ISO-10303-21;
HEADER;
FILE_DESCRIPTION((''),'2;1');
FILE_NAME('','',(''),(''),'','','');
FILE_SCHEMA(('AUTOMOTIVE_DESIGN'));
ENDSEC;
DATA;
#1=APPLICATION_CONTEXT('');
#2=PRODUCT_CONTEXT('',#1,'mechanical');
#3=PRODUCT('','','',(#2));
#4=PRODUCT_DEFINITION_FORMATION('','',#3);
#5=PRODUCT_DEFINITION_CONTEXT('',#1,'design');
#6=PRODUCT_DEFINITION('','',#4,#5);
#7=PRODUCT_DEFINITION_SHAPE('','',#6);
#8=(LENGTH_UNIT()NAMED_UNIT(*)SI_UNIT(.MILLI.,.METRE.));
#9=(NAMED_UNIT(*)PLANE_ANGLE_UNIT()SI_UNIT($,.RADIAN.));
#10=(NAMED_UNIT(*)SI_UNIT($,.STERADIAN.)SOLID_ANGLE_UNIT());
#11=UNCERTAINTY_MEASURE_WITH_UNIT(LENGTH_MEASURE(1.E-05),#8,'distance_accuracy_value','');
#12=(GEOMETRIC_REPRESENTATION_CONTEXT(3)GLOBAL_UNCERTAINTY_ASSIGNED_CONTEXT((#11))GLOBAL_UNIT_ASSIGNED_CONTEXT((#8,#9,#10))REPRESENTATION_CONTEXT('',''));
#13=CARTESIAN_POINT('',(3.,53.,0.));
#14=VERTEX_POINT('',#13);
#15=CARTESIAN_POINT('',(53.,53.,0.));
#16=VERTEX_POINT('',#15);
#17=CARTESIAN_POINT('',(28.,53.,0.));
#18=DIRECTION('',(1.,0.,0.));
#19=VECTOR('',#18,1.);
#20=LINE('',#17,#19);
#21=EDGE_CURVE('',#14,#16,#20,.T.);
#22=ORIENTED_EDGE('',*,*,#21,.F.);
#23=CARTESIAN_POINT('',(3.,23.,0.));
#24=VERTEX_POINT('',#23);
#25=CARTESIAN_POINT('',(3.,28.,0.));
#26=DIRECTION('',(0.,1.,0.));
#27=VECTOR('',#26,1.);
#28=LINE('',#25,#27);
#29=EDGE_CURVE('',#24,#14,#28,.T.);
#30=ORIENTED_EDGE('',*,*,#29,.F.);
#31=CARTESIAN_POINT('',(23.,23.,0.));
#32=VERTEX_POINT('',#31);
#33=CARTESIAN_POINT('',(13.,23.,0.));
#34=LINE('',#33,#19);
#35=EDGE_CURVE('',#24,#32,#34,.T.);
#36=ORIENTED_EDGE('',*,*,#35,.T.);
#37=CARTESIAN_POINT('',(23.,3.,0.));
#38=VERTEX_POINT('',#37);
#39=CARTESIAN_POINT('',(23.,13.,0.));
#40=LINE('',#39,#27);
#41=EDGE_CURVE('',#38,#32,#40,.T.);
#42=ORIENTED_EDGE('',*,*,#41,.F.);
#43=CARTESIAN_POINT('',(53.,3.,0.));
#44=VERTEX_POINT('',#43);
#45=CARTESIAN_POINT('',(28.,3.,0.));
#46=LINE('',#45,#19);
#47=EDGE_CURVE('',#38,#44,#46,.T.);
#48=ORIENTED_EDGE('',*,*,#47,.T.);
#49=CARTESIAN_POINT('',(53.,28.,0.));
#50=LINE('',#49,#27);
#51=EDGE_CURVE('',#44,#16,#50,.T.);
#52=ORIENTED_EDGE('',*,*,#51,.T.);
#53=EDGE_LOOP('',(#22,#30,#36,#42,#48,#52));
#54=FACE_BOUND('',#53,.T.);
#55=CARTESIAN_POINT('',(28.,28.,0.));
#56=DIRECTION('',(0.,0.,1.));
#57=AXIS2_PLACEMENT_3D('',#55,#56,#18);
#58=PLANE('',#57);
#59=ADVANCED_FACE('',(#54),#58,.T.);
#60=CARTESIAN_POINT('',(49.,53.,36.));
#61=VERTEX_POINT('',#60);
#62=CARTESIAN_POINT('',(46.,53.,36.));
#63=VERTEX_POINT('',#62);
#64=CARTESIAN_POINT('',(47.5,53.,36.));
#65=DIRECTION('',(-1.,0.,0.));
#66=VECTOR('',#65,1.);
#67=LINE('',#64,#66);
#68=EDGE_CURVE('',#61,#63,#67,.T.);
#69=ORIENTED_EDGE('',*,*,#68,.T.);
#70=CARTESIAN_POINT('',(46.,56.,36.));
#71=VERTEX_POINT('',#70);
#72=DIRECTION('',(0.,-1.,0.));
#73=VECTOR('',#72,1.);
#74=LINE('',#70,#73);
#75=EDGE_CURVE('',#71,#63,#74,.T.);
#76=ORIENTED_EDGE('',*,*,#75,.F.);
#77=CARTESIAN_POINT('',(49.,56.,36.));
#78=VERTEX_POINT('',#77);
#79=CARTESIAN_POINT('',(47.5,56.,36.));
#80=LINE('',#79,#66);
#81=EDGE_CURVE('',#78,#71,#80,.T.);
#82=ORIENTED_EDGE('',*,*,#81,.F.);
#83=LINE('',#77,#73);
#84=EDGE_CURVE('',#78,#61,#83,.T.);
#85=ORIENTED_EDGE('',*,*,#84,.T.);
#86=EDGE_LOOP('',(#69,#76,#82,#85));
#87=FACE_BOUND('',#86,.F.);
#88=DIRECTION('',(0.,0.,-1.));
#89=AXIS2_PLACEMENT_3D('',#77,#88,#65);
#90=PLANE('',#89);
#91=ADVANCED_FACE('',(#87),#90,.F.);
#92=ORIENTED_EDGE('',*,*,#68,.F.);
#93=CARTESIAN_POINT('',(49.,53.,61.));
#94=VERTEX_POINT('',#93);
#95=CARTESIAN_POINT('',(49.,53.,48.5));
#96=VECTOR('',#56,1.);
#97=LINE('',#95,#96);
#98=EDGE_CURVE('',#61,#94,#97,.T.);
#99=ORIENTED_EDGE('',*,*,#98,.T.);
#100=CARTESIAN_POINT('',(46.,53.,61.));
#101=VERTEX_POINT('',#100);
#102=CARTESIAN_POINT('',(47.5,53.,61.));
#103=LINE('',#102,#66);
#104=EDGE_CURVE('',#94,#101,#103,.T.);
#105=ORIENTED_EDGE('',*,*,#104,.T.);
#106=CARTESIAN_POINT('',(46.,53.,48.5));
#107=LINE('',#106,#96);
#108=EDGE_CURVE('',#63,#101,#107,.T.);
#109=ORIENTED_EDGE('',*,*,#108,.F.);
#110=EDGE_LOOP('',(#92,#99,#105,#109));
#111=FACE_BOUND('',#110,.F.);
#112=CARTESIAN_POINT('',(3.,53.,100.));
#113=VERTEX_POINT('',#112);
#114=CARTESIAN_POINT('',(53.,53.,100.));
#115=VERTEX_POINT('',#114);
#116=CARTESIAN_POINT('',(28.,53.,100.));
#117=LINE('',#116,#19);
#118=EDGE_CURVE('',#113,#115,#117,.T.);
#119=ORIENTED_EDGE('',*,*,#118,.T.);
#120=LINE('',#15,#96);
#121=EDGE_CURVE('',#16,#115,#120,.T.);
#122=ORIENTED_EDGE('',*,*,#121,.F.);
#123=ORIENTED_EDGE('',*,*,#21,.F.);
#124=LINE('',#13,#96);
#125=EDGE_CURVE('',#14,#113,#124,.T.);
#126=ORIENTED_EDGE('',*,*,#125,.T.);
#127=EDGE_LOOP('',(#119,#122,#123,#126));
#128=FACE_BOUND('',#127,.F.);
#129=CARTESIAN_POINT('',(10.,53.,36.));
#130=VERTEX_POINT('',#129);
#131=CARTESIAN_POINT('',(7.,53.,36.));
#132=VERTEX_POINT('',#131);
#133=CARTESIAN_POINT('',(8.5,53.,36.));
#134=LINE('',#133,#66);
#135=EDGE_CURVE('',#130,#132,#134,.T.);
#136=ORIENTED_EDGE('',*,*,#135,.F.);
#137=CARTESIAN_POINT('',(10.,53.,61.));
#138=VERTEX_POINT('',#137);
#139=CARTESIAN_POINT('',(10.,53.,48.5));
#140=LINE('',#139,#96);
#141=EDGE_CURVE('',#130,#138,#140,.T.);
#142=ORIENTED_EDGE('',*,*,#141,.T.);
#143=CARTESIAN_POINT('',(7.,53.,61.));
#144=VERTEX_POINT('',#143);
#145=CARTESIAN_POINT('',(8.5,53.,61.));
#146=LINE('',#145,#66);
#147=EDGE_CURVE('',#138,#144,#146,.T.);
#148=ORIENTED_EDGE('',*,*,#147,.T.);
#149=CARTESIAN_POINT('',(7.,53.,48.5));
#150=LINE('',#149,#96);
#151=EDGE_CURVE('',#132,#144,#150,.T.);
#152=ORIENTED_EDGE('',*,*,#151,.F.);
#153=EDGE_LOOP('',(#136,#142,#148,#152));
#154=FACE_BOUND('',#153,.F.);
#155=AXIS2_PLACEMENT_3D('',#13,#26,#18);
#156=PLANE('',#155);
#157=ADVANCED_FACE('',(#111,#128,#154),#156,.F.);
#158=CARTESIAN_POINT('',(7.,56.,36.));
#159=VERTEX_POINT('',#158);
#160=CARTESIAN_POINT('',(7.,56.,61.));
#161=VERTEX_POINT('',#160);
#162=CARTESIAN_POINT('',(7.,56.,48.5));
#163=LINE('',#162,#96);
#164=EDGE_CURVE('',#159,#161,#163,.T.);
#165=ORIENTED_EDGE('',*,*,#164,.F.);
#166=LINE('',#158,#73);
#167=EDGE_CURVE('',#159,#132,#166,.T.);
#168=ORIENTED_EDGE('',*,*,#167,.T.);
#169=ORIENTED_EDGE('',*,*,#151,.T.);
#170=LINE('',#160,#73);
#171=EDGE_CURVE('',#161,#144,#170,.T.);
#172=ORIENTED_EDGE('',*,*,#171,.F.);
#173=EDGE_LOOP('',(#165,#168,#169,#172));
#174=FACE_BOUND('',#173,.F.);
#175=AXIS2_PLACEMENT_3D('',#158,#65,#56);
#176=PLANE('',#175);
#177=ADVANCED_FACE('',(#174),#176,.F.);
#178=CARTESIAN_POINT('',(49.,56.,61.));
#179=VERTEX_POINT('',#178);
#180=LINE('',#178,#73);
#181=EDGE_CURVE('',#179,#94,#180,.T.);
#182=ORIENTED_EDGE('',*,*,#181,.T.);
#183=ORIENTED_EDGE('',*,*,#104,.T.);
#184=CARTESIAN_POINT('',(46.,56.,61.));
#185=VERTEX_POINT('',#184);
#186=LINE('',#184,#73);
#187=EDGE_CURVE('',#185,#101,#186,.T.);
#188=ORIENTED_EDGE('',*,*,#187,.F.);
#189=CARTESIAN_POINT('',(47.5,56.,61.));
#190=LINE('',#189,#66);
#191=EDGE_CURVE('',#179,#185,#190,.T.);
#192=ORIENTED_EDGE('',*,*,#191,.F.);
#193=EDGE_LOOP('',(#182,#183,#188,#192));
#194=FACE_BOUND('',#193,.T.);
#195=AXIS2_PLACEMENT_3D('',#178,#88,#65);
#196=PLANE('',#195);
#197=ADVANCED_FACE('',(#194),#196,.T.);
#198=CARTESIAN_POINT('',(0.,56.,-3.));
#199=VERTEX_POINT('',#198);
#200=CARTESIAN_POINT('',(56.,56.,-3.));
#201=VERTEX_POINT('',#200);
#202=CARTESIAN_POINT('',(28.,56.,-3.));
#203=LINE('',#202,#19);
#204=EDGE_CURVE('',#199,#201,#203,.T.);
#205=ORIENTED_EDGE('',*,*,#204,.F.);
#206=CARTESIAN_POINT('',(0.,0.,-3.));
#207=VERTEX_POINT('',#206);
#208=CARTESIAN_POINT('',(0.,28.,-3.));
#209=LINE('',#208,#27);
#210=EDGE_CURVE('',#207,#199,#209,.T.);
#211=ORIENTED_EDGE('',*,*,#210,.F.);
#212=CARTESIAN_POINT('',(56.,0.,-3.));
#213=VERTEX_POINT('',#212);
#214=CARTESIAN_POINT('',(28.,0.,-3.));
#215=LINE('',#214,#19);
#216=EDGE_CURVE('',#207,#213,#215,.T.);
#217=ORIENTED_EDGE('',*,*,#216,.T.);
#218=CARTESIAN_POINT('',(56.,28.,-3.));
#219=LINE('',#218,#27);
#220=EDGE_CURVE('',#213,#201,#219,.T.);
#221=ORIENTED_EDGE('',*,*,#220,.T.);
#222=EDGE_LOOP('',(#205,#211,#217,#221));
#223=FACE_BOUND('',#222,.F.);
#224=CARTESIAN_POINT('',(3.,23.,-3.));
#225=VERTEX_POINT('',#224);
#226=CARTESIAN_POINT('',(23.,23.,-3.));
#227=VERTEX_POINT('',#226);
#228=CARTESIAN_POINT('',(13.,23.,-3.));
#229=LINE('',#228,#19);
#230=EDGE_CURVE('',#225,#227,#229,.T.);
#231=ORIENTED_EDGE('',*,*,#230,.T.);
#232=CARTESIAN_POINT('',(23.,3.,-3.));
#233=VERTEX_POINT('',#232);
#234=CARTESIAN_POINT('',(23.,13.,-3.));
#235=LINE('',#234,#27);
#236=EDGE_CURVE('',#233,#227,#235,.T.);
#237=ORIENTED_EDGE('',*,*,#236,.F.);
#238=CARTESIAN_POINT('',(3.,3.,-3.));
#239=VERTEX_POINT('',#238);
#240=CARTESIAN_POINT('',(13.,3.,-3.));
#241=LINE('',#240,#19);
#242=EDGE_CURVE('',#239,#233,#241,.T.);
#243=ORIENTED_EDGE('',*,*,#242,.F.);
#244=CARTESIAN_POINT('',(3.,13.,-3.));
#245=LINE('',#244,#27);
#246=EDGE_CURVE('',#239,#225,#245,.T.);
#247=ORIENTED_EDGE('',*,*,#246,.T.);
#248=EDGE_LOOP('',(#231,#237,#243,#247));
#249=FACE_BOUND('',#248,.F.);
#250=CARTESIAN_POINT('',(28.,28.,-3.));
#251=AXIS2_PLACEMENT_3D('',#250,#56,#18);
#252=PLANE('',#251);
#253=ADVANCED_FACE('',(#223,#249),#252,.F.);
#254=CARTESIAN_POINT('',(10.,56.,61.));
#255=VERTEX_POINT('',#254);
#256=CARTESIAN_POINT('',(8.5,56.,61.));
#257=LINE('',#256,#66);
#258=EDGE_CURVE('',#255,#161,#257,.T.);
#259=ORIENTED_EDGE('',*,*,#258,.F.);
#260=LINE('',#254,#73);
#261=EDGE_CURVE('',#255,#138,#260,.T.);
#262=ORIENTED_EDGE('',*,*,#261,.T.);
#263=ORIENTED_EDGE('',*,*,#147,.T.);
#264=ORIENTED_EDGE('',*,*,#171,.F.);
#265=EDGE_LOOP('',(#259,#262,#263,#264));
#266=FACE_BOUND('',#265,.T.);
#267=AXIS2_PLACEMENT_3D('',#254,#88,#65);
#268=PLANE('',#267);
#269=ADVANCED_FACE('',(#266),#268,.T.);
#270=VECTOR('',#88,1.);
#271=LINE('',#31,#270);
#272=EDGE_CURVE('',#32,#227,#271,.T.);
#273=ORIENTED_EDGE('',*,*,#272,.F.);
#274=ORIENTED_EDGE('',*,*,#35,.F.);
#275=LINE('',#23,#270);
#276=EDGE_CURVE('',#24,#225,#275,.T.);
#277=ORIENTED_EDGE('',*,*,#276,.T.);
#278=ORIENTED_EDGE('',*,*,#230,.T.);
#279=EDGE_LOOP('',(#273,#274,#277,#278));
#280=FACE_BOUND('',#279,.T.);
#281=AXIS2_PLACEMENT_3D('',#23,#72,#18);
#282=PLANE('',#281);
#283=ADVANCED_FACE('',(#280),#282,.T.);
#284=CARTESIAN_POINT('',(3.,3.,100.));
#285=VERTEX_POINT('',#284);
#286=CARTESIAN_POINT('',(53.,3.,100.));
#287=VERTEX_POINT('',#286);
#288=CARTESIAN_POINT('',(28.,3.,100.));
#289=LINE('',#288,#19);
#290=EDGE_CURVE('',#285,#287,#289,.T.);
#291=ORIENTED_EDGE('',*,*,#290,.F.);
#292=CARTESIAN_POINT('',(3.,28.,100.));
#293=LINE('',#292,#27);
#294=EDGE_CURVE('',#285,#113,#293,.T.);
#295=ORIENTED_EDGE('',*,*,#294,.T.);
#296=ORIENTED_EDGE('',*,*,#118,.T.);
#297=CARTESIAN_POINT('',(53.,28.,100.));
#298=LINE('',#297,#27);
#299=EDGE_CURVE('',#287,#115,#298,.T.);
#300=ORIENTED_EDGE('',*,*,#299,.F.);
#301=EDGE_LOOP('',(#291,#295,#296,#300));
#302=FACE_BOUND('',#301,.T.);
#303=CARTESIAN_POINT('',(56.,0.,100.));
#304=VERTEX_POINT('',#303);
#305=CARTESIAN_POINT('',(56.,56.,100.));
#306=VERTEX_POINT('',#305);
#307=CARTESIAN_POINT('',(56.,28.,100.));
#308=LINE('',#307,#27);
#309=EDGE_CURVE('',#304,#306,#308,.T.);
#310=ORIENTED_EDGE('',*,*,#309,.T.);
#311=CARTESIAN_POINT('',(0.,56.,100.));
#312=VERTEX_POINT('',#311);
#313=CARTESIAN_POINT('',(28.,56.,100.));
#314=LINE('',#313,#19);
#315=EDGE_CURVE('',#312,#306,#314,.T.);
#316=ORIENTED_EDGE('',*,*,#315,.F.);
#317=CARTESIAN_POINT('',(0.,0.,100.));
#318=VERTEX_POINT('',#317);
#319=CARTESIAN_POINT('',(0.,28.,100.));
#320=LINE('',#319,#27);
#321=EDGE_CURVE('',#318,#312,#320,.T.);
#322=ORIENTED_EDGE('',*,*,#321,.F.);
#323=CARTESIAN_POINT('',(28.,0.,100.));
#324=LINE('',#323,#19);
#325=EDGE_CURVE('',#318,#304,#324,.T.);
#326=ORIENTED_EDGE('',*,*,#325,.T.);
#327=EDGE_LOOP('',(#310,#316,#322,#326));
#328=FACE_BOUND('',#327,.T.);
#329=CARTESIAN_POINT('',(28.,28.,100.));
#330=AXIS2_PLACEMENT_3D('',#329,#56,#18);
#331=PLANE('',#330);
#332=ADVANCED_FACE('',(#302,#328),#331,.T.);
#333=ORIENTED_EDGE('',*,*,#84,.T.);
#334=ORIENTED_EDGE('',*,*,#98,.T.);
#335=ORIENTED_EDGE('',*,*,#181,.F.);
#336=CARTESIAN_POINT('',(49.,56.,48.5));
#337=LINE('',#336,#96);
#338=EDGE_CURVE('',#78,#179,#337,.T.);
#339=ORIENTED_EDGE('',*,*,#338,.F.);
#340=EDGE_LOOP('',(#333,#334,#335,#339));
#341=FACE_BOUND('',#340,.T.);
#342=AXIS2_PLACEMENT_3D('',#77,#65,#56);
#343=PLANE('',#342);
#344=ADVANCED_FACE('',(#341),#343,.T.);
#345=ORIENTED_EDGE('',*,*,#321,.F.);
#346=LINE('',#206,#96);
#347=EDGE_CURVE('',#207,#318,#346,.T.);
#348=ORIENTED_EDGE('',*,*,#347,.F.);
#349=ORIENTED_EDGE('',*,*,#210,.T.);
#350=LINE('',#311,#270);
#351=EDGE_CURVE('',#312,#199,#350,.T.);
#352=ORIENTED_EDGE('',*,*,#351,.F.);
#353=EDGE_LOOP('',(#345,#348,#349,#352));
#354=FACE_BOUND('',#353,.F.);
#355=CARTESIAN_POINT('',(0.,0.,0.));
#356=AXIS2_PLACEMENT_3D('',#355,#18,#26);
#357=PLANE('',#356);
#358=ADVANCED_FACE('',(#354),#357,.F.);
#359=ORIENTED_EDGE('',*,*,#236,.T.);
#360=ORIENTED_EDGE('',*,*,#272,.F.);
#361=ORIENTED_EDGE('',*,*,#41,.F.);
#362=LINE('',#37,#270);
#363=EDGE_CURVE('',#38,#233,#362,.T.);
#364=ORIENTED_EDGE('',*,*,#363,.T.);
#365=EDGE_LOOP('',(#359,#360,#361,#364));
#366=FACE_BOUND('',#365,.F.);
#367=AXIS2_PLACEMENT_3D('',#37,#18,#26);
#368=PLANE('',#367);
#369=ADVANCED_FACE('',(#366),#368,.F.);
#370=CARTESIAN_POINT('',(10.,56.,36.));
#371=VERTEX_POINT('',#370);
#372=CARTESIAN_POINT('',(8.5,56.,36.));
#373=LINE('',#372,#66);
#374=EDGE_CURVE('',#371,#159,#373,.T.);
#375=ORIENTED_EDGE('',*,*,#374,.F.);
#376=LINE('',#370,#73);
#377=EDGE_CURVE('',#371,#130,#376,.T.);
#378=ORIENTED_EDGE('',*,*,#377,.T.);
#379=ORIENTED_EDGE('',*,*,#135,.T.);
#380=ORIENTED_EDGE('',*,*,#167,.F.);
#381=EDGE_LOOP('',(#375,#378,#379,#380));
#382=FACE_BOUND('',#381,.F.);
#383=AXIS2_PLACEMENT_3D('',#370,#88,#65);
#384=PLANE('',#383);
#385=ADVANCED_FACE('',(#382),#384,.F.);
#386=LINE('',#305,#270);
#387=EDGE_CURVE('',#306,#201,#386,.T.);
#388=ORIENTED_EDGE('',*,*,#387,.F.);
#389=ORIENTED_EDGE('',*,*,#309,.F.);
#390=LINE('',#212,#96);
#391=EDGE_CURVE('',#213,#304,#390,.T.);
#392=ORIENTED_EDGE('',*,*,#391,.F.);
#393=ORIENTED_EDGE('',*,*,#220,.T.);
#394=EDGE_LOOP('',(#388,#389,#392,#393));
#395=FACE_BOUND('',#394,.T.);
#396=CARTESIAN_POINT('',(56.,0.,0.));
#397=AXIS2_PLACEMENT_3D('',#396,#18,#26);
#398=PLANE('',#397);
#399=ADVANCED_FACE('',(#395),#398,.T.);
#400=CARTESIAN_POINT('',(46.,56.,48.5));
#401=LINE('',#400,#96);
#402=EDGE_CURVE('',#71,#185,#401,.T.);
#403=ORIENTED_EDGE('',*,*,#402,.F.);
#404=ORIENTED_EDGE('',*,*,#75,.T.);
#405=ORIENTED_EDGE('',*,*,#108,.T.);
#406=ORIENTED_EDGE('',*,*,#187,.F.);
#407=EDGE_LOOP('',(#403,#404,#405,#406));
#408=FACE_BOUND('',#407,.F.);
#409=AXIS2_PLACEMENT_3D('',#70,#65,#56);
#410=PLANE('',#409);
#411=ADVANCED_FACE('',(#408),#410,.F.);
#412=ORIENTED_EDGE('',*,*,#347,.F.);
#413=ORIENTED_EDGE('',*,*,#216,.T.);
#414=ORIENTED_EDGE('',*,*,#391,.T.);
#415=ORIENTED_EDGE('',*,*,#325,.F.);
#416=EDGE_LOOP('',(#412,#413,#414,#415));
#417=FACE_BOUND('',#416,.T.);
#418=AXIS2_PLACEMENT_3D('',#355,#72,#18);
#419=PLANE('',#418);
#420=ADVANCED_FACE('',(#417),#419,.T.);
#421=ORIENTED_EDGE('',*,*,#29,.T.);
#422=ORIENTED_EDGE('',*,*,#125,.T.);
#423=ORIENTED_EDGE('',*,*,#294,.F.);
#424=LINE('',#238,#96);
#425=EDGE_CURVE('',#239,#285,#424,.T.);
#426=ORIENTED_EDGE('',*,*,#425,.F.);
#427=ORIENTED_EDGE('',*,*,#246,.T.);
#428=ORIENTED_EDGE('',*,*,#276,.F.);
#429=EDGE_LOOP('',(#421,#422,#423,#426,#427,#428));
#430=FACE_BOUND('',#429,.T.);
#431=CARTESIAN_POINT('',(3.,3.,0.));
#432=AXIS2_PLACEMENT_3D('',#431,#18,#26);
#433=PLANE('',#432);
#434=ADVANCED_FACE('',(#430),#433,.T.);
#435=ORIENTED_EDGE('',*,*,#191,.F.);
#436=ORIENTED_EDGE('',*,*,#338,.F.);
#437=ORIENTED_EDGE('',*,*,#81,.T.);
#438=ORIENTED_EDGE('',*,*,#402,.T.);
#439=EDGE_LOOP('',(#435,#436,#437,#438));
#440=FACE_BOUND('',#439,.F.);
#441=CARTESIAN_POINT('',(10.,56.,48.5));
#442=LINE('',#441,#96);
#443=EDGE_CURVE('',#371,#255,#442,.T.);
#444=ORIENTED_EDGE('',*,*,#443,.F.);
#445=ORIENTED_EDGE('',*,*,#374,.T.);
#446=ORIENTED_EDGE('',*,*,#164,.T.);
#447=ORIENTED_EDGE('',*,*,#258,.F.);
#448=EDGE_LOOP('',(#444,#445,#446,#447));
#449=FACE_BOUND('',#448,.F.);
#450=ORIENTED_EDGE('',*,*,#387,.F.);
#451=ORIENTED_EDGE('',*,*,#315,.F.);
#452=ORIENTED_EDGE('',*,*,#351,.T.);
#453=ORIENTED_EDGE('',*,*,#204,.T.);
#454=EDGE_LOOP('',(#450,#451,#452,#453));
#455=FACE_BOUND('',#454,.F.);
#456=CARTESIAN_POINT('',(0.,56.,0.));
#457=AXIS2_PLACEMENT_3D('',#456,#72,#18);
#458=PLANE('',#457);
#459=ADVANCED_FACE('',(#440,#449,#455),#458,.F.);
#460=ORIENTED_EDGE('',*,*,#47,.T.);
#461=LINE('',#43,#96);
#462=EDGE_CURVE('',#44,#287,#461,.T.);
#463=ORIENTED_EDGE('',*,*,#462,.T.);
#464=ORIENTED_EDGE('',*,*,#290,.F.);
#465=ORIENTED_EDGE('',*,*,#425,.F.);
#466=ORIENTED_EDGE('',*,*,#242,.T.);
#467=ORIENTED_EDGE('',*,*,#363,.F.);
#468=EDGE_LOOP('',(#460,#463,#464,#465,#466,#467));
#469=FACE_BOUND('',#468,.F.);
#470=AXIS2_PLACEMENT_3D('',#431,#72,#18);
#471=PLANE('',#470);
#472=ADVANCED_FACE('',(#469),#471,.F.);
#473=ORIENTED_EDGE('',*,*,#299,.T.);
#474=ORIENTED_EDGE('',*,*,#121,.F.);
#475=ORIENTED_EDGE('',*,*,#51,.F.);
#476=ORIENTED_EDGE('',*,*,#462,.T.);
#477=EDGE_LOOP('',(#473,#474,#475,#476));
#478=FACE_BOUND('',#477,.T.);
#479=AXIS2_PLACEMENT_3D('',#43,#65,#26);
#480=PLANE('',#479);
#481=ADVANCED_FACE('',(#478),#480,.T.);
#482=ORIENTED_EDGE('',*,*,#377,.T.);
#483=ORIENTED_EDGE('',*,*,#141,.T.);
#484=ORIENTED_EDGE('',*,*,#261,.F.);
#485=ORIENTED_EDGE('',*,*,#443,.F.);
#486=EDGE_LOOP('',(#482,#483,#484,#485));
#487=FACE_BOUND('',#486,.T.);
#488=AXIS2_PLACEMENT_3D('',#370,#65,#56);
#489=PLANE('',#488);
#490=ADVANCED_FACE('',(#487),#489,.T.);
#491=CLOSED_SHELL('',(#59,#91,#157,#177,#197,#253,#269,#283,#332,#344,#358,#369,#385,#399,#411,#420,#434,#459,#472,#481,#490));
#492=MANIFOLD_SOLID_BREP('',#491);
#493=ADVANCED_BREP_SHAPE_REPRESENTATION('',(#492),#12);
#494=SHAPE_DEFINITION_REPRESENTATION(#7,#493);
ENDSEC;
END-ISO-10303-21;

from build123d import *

# Parameters (mm, degrees)
F2_W     = 56
F2_H     = 56
F2_W_2   = 50
F2_H_2   = 50
F3_DEPTH = 100
F4_DEPTH = 3
F5_W     = 20
F5_H     = 20
F6_DEPTH = 3
F7_W     = 3
F7_H     = 25
F8_DEPTH = 3


with BuildPart() as f3:
    # F2 (on Top) → F3 (new body)
    with BuildSketch(Plane.XY):
        with Locations((28, 28)):
            Rectangle(F2_W, F2_H)
        with Locations((28, 28)):
            Rectangle(F2_W_2, F2_H_2, mode=Mode.SUBTRACT)
    extrude(amount=F3_DEPTH)

    # F2 (on Top) → F4 (join)
    with BuildSketch(Plane.XY):
        with Locations((28, 28)):
            Rectangle(F2_W, F2_H)
        with Locations((28, 28)):
            Rectangle(F2_W_2, F2_H_2, mode=Mode.SUBTRACT)
        with Locations((28, 28)):
            Rectangle(F2_W_2, F2_H_2)
    extrude(amount=-F4_DEPTH)

    # F5 (on face) → F6 (cut, through all)
    with BuildSketch(Plane.XY):
        with Locations((13, 13)):
            Rectangle(F5_W, F5_H)
    extrude(amount=-F6_DEPTH, mode=Mode.SUBTRACT)

    # F7 (on face) → F8 (cut, through all)
    with BuildSketch(Plane(origin=(0, 56, 0), x_dir=(-1, 0, 0), z_dir=(0, 1, 0))):
        with Locations((-47.5, 48.5)):
            Rectangle(F7_W, F7_H)
        with Locations((-8.5, 48.5)):
            Rectangle(F7_W, F7_H)
    extrude(amount=-F8_DEPTH, mode=Mode.SUBTRACT)


solid = f3.part
